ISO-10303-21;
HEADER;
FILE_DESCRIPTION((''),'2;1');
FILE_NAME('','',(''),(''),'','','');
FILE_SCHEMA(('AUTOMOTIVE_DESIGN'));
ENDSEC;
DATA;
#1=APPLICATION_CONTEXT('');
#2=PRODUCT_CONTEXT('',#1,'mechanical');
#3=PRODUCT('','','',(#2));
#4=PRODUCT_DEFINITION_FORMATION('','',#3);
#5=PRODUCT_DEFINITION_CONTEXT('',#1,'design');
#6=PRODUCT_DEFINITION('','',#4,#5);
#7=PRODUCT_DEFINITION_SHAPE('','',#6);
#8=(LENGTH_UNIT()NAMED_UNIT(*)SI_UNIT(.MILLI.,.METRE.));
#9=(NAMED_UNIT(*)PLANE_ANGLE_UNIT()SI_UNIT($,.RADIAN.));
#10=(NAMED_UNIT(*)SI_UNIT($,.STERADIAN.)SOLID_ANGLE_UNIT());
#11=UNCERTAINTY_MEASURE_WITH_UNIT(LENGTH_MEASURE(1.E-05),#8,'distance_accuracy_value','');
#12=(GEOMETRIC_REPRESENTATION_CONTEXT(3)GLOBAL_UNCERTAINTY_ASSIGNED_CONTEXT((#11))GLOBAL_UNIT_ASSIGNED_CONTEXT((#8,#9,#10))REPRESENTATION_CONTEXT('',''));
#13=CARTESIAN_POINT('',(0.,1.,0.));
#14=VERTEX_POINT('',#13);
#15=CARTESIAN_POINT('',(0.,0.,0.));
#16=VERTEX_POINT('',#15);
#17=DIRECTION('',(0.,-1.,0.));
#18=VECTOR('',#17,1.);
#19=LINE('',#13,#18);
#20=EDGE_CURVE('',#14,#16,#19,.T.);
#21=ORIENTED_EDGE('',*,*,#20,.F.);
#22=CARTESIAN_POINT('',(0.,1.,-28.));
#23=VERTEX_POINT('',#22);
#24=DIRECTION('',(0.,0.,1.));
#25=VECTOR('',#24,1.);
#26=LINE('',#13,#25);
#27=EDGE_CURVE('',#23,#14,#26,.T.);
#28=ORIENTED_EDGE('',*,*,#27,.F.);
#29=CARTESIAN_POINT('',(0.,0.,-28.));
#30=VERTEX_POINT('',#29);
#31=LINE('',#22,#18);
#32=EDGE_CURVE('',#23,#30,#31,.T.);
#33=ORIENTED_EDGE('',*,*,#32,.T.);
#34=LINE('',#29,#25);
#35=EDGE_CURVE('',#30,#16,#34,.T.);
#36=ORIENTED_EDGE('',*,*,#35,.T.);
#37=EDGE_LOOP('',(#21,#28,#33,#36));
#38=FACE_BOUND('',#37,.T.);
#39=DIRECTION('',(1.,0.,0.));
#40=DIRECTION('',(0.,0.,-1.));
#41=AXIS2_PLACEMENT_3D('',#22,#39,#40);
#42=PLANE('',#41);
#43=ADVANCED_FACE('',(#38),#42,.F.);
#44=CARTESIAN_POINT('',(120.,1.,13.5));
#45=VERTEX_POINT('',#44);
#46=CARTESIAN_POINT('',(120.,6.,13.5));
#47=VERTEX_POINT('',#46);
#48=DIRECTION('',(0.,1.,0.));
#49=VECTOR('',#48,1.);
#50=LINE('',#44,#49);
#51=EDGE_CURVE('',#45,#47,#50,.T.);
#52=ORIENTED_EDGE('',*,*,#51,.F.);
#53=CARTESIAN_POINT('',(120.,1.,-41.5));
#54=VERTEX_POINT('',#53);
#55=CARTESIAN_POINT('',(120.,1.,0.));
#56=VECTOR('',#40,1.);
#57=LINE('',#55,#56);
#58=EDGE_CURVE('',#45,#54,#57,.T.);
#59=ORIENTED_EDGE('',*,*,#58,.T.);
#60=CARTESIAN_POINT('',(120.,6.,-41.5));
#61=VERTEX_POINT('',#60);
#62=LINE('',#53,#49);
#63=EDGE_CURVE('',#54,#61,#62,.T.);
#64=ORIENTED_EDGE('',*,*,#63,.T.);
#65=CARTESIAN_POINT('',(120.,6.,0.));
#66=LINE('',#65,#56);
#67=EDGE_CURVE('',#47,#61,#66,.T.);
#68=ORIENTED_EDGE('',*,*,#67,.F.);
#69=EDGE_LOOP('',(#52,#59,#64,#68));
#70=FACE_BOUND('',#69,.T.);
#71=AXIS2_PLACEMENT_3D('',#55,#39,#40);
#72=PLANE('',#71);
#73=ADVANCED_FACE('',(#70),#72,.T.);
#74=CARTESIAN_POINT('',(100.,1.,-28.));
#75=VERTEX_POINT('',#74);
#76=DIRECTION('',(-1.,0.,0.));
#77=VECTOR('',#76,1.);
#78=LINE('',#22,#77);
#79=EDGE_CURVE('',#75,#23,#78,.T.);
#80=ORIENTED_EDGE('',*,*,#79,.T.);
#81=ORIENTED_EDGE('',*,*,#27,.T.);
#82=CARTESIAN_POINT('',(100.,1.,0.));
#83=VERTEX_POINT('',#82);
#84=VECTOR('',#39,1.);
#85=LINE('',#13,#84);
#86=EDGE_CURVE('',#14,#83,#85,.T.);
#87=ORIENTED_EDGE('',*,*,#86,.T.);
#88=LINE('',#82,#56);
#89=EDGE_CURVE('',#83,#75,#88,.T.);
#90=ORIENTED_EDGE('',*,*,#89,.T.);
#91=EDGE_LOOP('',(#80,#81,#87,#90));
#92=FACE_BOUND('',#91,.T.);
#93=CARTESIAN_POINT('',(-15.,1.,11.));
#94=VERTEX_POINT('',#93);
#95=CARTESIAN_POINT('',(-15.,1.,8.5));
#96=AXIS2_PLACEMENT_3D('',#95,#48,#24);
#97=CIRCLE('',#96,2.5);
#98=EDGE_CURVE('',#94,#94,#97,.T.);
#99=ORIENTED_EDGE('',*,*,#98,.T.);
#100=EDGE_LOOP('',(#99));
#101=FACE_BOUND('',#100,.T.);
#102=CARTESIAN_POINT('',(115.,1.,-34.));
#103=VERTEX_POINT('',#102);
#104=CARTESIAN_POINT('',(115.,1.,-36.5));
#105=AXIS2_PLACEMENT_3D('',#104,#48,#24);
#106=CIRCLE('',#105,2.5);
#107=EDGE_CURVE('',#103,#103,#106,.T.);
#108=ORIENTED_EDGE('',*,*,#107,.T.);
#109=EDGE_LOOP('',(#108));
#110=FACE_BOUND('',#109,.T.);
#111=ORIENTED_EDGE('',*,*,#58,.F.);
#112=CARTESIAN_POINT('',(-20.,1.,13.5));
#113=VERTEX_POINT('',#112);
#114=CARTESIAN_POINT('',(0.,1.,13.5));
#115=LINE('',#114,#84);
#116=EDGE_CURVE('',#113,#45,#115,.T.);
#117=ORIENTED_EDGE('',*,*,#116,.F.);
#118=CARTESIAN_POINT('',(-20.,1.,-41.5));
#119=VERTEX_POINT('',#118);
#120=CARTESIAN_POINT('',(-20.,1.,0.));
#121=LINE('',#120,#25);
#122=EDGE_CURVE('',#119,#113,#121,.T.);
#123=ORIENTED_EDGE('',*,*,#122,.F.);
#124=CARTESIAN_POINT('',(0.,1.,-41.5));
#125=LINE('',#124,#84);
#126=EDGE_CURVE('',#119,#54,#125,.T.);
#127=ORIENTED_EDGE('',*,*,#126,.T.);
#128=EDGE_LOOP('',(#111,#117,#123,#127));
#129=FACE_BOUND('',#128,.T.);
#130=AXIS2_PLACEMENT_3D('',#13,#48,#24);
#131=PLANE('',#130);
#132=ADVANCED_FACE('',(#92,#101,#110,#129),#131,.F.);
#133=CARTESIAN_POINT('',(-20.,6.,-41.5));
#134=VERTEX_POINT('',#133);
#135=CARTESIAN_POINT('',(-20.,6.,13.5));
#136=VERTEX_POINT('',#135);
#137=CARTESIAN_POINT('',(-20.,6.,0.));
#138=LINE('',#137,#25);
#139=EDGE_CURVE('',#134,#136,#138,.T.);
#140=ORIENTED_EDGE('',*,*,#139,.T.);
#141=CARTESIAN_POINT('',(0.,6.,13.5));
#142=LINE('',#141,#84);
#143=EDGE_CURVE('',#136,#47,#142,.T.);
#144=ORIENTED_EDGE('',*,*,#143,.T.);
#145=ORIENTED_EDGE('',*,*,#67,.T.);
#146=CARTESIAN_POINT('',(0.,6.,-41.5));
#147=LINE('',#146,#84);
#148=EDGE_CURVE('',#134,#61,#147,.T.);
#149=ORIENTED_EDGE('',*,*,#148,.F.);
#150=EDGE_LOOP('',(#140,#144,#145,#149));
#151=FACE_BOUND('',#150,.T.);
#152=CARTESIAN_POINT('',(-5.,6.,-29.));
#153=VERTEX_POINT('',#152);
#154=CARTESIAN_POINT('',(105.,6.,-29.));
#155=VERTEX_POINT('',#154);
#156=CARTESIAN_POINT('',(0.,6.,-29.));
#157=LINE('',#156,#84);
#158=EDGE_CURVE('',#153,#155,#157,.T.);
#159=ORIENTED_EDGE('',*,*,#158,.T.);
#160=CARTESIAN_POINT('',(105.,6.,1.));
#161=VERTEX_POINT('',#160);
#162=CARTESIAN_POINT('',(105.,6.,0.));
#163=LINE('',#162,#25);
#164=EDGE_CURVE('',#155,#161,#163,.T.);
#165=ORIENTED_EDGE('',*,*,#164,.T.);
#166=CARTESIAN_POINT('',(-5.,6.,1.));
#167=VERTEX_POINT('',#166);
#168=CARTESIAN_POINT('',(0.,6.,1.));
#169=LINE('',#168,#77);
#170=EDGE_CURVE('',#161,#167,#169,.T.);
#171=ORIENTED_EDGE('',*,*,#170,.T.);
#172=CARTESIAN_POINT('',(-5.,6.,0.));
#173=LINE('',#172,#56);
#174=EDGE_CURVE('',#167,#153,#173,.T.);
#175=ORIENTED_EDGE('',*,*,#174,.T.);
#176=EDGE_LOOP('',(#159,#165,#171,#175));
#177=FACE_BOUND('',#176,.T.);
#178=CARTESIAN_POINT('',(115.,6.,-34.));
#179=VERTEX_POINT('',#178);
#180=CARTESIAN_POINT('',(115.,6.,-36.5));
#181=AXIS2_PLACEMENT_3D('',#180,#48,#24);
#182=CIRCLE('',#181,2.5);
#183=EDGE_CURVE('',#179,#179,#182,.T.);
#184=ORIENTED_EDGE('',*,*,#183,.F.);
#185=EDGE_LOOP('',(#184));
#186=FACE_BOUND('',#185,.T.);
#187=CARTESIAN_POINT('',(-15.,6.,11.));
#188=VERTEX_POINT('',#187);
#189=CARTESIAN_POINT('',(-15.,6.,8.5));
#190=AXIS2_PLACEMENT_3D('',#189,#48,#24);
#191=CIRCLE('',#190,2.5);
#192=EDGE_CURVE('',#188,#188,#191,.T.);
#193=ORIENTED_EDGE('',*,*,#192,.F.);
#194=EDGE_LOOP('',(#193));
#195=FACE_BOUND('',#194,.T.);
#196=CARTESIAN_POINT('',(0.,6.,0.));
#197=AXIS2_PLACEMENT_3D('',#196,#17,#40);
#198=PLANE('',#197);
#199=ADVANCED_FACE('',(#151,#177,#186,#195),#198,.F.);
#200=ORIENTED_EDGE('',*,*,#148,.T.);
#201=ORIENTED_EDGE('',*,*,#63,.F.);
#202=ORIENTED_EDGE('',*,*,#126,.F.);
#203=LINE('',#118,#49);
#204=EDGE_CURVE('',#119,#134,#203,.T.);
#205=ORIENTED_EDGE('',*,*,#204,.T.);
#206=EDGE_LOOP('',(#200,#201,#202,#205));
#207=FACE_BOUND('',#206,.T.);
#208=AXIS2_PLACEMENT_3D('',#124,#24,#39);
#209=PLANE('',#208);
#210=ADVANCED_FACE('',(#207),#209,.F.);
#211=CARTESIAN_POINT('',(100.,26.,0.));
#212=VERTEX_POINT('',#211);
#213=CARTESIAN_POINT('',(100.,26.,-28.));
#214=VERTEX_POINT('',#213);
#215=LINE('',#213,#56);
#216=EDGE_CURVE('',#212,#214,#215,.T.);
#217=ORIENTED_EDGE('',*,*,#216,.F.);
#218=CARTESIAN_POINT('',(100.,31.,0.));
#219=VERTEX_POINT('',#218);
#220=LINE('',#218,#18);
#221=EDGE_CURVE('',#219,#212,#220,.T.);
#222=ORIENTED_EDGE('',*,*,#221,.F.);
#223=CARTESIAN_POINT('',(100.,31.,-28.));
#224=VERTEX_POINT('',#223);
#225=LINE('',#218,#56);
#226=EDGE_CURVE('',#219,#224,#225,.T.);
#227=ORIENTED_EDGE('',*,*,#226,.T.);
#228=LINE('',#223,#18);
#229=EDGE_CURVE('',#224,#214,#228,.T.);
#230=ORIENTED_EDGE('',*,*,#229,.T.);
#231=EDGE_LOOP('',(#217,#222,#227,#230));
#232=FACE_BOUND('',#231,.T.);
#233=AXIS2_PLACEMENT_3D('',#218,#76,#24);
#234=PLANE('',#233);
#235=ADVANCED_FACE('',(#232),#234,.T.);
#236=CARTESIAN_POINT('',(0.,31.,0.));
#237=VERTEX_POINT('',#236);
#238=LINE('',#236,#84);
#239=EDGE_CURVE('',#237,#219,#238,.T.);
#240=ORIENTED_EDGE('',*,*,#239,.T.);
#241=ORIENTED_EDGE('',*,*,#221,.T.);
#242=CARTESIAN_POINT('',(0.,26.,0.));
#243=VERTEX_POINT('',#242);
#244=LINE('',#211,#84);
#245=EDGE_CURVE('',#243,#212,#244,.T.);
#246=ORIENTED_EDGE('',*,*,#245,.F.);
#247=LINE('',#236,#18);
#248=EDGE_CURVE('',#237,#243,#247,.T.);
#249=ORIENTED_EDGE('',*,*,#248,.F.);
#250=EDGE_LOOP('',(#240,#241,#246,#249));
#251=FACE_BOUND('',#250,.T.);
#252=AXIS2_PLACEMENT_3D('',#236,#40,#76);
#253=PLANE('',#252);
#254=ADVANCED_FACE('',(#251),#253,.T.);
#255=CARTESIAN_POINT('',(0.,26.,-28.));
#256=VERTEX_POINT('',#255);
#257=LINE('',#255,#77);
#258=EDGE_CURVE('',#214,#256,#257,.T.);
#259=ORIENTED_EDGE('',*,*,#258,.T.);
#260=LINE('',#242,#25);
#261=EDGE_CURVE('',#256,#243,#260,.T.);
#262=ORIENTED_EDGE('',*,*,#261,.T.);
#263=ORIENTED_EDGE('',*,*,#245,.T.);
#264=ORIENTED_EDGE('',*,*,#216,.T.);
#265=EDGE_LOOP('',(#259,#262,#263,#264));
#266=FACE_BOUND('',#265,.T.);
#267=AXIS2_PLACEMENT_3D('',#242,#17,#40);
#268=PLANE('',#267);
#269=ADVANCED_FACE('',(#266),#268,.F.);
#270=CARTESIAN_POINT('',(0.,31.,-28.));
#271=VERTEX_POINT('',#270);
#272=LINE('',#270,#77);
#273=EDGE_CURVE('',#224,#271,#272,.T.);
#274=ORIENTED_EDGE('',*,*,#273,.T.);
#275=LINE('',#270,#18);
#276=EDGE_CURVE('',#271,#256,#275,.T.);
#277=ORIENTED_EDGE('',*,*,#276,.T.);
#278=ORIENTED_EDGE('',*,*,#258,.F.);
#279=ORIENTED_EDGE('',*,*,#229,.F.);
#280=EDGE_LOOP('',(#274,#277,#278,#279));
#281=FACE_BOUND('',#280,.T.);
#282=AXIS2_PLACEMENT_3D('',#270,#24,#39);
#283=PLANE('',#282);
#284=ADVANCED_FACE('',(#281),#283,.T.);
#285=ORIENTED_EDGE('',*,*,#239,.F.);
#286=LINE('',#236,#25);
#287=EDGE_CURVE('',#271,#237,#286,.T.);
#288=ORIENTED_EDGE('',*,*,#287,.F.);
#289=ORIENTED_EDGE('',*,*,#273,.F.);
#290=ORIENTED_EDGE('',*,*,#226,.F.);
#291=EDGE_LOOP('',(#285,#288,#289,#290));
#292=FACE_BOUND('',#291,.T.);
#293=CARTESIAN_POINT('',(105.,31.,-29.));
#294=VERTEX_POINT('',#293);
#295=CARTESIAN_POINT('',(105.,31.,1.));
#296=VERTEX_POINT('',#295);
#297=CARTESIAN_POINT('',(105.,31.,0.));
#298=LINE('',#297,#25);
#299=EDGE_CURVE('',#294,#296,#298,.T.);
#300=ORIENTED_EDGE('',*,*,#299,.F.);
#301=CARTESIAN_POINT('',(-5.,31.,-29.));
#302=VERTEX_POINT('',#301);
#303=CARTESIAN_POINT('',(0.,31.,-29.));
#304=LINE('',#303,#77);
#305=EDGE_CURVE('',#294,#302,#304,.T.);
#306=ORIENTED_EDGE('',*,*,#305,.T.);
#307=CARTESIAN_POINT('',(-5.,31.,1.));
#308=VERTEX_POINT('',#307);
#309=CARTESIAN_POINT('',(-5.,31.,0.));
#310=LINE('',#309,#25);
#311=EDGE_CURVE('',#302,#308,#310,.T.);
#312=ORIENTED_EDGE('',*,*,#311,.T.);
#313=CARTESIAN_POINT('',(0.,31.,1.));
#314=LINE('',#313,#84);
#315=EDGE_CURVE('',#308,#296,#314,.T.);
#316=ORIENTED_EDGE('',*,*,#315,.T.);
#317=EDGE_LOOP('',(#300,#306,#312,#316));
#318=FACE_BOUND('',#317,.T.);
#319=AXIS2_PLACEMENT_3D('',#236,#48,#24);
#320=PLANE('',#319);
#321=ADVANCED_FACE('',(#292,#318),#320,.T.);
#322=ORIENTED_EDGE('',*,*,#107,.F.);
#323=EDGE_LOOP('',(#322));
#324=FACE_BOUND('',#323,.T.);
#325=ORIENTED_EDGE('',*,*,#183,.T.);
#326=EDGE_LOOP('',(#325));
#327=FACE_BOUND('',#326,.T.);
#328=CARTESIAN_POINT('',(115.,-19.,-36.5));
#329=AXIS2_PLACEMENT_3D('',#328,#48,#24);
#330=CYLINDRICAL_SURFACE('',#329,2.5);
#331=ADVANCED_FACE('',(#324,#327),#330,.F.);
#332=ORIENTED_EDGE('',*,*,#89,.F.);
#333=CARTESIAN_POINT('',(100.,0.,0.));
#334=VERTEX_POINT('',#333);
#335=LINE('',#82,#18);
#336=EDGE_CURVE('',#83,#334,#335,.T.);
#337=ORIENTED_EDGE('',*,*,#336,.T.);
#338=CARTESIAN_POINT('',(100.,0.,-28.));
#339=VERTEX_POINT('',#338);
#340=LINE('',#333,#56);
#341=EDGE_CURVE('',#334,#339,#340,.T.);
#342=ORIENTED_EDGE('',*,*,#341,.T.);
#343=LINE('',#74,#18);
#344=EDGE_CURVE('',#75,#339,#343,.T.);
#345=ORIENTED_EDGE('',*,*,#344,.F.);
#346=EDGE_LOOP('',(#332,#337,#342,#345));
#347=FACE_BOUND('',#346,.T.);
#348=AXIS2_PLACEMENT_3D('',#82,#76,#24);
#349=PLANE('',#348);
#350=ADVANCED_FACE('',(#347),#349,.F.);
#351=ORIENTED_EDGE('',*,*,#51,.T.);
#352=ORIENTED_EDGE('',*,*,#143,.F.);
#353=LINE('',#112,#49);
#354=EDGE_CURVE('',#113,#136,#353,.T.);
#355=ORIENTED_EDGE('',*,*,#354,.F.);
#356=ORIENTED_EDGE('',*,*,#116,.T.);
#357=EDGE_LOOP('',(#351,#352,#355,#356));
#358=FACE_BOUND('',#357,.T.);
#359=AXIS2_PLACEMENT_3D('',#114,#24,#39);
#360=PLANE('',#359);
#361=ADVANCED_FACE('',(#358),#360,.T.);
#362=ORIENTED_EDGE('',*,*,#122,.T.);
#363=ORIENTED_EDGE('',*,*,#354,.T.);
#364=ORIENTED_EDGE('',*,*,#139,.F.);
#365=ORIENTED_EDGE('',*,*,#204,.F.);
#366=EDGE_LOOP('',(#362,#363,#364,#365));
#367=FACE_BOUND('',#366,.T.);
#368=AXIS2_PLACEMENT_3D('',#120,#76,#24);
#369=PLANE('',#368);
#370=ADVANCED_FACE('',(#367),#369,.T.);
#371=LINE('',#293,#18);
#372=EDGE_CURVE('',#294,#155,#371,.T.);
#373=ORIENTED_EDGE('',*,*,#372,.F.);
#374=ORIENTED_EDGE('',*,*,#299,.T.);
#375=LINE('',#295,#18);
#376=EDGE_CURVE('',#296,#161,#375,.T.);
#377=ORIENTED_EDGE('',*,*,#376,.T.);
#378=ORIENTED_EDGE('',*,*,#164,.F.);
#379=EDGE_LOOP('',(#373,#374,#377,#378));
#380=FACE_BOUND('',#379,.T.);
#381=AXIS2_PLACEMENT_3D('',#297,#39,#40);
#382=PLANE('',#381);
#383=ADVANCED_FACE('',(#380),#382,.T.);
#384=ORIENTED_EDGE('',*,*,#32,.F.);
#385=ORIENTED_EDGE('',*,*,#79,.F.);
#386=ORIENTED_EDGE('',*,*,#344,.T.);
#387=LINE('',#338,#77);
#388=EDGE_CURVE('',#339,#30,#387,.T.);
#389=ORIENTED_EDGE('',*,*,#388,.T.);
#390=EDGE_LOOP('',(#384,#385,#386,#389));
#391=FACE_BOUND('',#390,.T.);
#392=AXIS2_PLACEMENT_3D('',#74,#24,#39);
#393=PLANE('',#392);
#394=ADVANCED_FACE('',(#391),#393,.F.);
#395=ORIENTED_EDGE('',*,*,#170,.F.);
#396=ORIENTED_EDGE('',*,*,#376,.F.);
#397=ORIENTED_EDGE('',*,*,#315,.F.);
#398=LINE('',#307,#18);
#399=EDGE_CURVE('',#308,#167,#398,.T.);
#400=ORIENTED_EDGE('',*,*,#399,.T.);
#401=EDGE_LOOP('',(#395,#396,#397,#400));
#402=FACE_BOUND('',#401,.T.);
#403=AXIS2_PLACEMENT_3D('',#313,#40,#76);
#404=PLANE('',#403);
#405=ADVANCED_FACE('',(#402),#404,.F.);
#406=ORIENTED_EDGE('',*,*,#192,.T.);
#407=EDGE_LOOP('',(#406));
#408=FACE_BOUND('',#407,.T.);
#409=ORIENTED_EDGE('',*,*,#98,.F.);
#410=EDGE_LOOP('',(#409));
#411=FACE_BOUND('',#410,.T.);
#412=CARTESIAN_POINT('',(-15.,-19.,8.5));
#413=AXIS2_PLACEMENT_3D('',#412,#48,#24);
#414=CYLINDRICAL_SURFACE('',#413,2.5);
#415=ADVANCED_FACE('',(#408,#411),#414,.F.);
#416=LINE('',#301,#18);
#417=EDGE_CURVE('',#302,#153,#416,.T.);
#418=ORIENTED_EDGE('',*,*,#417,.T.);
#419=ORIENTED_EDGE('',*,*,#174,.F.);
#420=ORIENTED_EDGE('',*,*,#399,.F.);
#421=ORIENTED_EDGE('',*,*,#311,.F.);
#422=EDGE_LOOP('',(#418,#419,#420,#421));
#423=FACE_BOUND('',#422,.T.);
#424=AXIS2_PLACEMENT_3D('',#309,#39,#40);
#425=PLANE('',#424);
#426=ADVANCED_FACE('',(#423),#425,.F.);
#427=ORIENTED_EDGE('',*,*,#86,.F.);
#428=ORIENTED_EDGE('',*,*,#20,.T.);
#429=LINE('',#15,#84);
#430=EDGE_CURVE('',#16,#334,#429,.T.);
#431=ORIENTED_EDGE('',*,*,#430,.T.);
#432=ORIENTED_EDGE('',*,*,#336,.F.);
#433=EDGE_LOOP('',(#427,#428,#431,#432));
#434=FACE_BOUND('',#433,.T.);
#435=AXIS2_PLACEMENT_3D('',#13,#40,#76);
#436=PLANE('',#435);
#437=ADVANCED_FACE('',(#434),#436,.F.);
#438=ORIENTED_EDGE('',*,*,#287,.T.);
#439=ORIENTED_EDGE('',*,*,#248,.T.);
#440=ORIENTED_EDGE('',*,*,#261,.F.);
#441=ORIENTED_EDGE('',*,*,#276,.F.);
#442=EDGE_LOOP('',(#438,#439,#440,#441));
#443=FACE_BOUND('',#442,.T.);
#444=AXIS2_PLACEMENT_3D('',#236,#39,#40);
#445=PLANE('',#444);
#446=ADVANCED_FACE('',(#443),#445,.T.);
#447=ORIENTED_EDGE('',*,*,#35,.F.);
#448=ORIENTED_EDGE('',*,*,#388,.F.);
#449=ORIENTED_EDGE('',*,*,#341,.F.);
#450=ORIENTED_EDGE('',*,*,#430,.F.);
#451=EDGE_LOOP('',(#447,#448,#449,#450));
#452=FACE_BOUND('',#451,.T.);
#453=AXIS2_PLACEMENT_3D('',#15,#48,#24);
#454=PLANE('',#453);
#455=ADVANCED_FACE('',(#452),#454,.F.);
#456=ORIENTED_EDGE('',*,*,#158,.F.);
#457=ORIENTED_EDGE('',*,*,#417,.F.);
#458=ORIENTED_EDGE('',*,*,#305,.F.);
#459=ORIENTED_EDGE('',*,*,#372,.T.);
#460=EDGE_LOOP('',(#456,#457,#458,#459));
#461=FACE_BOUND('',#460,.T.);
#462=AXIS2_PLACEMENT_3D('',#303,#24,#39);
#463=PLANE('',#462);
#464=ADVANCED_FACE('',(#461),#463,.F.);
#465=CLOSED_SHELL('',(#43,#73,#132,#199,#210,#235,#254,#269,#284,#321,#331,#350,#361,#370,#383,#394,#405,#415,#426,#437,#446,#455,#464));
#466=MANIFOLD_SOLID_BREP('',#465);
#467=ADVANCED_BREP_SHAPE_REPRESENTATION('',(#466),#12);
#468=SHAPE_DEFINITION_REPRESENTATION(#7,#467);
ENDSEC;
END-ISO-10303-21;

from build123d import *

# Parameters (mm, degrees)
SKETCH1_W           = 100
SKETCH1_H           = 28
BOSS_EXTRUDE1_DEPTH = 1
BOSS_EXTRUDE2_DEPTH = 30
BOSS_EXTRUDE3_DEPTH = 5
SKETCH4_W           = 140
SKETCH4_H           = 55
SKETCH4_W_2         = 120
SKETCH4_H_2         = 35
SKETCH4_W_3         = 110
SKETCH4_H_3         = 30
BOSS_EXTRUDE4_DEPTH = 5
SKETCH5_W           = 100
SKETCH5_H           = 28
BOSS_EXTRUDE5_DEPTH = 25
SKETCH6_R           = 2.5
CUT_EXTRUDE1_DEPTH  = 25


with BuildPart() as part:
    # Sketch1 → Boss-Extrude1 (new body)
    with BuildSketch(Plane(origin=(0, 0, 0), x_dir=(1, 0, 0), z_dir=(0, 1, 0))):
        with Locations((50, 14)):
            Rectangle(SKETCH1_W, SKETCH1_H)
    extrude(amount=BOSS_EXTRUDE1_DEPTH)



with BuildPart() as body_2:
    # Sketch2 → Boss-Extrude2 (new body)
    with BuildSketch(Plane(origin=(0, 1, 0), x_dir=(1, 0, 0), z_dir=(0, 1, 0))):
        Polygon((105, -1), (105, 14), (105, 29), (-5, 29), (-5, -1), align=None)
        Polygon((100, 28), (100, 14), (100, 0), (0, 0), (0, 28), align=None, mode=Mode.SUBTRACT)
    extrude(amount=BOSS_EXTRUDE2_DEPTH)

    # Sketch3 → Boss-Extrude3 (add)
    with BuildSketch(Plane.XZ.offset(-1)):
        Polygon((50, 3.5), (50, 1), (105, 1), (105, -29), (50, -29), (50, -31.5), (110, -31.5), (110, 3.5), align=None)
        Polygon((-5, 1), (50, 1), (50, 3.5), (-10, 3.5), (-10, -31.5), (50, -31.5), (50, -29), (-5, -29), align=None)
    extrude(amount=-BOSS_EXTRUDE3_DEPTH)

    # Sketch4 → Boss-Extrude4 (add)
    # profile 1 of 2: a face of its own
    with BuildSketch(Plane(origin=(0, 6, 0), x_dir=(1, 0, 0), z_dir=(0, 1, 0))):
        with Locations((50, 14)):
            Rectangle(SKETCH4_W, SKETCH4_H)
        with Locations((50, 14)):
            Rectangle(SKETCH4_W_2, SKETCH4_H_2, mode=Mode.SUBTRACT)
    # profile 2 of 2: a face of its own
    with BuildSketch(Plane(origin=(0, 6, 0), x_dir=(1, 0, 0), z_dir=(0, 1, 0))):
        with Locations((50, 14)):
            Rectangle(SKETCH4_W_2, SKETCH4_H_2)
        with Locations((50, 14)):
            Rectangle(SKETCH4_W_3, SKETCH4_H_3, mode=Mode.SUBTRACT)
    extrude(amount=-BOSS_EXTRUDE4_DEPTH)


with BuildPart() as part_1:
    add(part.part)

    add(body_2.part)  # Boss-Extrude5 merges body 2
    # Sketch5 → Boss-Extrude5 (add)
    with BuildSketch(Plane(origin=(0, 1, 0), x_dir=(1, 0, 0), z_dir=(0, 1, 0))):
        with Locations((50, 14)):
            Rectangle(SKETCH5_W, SKETCH5_H)
    extrude(amount=BOSS_EXTRUDE5_DEPTH)

    # Sketch6 → Cut-Extrude1 (cut)
    with BuildSketch(Plane(origin=(0, 6, 0), x_dir=(1, 0, 0), z_dir=(0, 1, 0))):
        with Locations(Location((115, 36.5, 0), (0, 0, 270))):
            Circle(SKETCH6_R)
        with Locations(Location((-15, -8.5, 0), (0, 0, 270))):
            Circle(SKETCH6_R)
    extrude(amount=-CUT_EXTRUDE1_DEPTH, mode=Mode.SUBTRACT)


solid = part_1.part
